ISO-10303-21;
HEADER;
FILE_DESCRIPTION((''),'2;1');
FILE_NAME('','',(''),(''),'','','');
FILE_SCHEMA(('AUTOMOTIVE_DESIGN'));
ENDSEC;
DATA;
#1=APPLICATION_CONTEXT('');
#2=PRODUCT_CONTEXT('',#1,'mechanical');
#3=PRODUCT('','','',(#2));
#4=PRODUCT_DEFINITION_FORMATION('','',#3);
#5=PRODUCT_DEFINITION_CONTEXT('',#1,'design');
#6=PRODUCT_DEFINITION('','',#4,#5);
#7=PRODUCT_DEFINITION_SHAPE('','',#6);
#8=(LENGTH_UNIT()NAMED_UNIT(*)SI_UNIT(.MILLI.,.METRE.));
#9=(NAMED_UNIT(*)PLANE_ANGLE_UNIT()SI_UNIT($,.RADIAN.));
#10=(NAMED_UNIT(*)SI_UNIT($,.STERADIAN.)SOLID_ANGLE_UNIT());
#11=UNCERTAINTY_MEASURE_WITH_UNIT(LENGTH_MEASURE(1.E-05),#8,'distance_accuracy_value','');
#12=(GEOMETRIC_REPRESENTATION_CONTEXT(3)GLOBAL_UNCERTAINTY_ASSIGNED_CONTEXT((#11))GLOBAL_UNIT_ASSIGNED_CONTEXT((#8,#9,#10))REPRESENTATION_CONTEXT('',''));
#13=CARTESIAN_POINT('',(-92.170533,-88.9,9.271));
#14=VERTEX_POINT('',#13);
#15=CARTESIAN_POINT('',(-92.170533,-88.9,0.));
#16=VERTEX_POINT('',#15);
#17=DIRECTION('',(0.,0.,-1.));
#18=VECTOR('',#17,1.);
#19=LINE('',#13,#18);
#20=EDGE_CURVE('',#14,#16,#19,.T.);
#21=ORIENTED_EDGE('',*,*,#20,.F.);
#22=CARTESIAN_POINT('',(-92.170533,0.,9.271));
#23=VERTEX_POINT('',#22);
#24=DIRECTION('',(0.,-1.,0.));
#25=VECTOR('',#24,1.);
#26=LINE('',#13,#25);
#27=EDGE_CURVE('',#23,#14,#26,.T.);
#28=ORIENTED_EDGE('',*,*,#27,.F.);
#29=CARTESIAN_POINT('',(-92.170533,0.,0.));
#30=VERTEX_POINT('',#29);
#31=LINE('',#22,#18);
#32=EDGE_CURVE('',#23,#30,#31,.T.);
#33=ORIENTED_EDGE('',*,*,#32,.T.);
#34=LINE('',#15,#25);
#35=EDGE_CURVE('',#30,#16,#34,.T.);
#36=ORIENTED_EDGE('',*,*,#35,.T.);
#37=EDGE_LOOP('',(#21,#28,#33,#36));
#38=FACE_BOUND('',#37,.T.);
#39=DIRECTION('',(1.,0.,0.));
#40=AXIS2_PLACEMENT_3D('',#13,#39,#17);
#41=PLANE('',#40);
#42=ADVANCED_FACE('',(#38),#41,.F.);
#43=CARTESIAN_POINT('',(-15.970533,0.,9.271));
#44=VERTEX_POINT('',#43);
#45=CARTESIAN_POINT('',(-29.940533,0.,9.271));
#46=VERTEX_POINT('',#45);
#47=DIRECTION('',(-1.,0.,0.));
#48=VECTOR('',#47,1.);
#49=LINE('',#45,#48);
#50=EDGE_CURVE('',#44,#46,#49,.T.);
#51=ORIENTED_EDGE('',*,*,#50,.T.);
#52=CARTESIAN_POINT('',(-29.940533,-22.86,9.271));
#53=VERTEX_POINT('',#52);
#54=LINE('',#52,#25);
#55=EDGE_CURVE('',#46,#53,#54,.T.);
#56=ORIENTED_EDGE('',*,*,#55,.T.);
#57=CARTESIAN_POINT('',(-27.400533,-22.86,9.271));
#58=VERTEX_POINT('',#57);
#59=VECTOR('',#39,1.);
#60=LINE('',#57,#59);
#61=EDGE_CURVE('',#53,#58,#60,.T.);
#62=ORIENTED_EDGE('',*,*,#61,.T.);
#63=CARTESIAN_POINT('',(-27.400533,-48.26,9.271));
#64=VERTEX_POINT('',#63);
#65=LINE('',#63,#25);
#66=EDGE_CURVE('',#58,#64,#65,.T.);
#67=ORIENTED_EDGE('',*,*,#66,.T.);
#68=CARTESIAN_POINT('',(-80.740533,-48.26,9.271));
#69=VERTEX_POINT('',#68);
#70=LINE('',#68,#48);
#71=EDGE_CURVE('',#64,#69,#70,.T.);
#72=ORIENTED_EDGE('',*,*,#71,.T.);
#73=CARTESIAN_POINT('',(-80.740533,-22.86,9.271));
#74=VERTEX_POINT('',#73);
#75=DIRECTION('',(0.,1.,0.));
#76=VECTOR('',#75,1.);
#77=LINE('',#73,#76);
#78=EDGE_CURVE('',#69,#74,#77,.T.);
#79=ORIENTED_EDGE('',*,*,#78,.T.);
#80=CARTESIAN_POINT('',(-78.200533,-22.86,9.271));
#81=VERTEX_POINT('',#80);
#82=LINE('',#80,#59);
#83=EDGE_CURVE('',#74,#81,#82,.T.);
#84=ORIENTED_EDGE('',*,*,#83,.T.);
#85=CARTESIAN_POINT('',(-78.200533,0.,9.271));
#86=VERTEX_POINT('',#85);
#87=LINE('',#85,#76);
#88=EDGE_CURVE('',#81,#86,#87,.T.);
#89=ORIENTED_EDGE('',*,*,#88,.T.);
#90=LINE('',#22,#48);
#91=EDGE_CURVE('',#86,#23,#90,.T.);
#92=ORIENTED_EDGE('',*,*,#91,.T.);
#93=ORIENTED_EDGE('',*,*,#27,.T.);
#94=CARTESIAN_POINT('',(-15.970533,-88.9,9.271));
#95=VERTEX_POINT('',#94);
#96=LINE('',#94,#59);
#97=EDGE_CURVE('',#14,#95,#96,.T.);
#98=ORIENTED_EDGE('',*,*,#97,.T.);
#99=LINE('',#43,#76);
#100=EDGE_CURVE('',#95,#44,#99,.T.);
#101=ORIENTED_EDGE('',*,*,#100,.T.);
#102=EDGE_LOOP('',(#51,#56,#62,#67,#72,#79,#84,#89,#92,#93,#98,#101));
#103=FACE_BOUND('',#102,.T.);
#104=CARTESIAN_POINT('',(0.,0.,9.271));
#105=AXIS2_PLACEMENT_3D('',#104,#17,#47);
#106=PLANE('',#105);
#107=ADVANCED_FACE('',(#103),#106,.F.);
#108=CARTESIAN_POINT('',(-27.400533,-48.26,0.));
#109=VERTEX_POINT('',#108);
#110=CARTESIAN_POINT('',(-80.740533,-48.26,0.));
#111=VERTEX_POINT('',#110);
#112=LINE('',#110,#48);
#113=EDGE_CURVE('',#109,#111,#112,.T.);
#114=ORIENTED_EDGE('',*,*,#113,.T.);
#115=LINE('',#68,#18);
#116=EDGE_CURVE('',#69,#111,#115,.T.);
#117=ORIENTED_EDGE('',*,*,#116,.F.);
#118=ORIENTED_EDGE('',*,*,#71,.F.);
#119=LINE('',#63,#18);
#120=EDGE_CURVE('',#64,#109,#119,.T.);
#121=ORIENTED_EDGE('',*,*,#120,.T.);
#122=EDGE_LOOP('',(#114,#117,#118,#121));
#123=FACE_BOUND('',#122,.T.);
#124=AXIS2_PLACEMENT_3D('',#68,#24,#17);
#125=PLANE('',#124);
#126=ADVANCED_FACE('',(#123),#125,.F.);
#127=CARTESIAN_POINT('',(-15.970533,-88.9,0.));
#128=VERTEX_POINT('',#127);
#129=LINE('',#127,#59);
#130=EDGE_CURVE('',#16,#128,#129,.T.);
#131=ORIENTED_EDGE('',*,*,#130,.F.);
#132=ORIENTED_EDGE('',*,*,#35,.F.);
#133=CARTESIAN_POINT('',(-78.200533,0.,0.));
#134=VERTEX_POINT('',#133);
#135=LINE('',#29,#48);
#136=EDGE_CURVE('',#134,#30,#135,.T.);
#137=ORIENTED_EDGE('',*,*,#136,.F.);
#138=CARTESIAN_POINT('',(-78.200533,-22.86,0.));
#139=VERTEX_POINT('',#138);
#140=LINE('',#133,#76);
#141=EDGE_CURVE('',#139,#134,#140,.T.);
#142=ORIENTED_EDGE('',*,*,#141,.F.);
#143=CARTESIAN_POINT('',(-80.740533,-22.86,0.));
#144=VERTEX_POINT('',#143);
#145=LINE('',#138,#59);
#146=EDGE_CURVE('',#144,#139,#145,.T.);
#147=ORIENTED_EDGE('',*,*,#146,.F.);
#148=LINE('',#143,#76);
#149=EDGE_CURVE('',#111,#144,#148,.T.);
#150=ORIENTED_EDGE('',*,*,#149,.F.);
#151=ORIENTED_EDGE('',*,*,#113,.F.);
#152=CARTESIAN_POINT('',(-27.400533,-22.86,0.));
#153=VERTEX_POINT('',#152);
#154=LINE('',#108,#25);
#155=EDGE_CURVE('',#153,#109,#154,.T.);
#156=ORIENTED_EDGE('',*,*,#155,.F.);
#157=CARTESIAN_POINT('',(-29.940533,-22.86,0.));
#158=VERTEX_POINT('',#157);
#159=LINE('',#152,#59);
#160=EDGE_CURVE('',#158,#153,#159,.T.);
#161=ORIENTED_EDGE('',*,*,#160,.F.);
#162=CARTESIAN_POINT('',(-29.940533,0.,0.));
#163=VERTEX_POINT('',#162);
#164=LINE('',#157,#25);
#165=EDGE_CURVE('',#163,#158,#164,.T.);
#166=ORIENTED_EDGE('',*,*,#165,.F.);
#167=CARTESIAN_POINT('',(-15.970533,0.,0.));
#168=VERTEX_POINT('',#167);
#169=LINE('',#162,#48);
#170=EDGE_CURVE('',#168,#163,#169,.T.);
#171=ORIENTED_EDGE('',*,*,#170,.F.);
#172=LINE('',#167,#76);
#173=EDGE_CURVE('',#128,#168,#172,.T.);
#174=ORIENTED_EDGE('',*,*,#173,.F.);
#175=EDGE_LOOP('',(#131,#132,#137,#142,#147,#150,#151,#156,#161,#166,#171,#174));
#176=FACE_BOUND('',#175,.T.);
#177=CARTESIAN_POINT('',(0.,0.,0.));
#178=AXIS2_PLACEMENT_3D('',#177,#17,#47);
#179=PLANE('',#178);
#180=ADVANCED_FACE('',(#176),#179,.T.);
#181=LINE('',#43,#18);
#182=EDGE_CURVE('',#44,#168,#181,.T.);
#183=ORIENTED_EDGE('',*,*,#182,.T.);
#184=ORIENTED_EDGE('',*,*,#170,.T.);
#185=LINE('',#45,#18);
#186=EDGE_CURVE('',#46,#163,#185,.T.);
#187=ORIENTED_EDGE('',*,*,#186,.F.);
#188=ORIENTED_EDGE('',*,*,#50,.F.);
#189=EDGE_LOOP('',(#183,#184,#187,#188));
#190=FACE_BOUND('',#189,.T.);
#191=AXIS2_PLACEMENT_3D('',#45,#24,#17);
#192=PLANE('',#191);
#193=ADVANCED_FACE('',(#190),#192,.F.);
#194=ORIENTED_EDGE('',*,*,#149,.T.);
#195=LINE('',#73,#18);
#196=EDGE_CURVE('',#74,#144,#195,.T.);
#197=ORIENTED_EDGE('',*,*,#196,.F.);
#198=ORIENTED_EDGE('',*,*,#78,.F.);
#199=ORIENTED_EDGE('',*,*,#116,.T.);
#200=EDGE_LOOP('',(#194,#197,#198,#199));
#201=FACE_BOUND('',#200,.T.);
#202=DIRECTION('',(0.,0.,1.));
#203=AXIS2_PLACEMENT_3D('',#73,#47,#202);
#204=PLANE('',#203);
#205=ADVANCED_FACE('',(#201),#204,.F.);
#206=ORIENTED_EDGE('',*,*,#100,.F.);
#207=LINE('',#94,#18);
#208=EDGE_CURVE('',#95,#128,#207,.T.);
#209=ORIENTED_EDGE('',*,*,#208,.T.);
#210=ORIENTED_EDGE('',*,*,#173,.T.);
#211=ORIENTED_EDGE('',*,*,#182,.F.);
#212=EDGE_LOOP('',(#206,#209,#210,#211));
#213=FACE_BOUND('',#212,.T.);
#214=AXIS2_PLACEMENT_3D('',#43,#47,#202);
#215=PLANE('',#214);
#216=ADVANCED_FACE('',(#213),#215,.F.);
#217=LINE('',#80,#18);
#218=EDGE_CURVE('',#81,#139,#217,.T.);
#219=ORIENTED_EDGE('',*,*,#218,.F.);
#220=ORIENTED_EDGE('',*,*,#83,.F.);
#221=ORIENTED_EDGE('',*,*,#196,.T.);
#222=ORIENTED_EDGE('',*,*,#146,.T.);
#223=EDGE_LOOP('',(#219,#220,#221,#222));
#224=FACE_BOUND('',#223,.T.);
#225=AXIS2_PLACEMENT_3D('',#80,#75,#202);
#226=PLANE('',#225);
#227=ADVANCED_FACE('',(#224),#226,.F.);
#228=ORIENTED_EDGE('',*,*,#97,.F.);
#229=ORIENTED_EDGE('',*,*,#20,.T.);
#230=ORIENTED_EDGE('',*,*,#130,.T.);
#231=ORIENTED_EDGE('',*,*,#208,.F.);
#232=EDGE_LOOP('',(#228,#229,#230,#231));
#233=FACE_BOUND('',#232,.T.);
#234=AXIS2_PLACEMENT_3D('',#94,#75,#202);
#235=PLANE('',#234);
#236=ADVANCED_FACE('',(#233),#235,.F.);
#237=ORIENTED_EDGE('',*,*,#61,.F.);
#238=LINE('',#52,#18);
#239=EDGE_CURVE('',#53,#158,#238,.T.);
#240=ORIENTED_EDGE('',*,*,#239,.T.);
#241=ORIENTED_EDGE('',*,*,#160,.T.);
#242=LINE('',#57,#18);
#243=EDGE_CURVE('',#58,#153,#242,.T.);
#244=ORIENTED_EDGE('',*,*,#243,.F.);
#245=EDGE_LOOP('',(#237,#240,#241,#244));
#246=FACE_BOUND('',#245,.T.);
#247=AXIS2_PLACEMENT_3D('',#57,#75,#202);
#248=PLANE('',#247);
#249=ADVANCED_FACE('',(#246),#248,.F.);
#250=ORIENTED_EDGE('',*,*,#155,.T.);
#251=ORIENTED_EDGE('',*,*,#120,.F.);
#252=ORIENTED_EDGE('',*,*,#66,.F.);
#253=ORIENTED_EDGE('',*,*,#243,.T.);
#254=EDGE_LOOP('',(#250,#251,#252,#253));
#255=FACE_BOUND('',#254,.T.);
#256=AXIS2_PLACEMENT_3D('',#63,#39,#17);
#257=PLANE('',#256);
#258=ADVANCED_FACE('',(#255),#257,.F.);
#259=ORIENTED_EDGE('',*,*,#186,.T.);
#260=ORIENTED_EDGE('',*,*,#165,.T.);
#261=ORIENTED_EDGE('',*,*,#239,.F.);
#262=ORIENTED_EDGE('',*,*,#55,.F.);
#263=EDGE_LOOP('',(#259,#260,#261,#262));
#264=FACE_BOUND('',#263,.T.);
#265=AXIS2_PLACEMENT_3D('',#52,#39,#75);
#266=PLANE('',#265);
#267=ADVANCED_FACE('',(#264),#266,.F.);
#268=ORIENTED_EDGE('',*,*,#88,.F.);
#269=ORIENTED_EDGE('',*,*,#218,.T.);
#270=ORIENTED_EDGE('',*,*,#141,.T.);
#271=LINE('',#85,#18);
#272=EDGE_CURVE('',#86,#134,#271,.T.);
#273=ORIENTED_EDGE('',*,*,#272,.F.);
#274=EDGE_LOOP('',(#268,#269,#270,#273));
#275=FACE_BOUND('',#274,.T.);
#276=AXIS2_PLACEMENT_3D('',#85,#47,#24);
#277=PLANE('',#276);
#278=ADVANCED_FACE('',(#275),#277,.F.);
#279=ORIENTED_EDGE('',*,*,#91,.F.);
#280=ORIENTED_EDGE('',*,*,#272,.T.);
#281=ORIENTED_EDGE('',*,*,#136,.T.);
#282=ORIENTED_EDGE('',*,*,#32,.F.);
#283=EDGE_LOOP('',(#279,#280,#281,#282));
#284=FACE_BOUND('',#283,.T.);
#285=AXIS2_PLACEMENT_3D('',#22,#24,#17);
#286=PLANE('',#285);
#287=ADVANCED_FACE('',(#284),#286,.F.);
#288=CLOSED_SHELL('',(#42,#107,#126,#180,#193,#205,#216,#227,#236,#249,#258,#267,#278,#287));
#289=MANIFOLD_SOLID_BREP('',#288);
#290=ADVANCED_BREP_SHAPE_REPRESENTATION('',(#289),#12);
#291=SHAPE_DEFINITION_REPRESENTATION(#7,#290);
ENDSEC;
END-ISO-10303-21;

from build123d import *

# Parameters (mm, degrees)
BOSS_EXTRUDE1_DEPTH = 9.271


with BuildPart() as part:
    # Sketch1 → Boss-Extrude1 (new body)
    with BuildSketch(Plane(origin=(0, 0, 0), x_dir=(0, 1, 0), z_dir=(0, 0, 1))):
        Polygon((0, 78.200532541), (-22.86, 78.200532541), (-22.86, 80.740532541), (-48.26, 80.740532541), (-48.26, 27.400532541), (-22.86, 27.400532541), (-22.86, 29.940532541), (0, 29.940532541), (0, 15.970532541), (-88.9, 15.970532541), (-88.9, 92.170532541), (0, 92.170532541), align=None)
    extrude(amount=BOSS_EXTRUDE1_DEPTH)


solid = part.part
